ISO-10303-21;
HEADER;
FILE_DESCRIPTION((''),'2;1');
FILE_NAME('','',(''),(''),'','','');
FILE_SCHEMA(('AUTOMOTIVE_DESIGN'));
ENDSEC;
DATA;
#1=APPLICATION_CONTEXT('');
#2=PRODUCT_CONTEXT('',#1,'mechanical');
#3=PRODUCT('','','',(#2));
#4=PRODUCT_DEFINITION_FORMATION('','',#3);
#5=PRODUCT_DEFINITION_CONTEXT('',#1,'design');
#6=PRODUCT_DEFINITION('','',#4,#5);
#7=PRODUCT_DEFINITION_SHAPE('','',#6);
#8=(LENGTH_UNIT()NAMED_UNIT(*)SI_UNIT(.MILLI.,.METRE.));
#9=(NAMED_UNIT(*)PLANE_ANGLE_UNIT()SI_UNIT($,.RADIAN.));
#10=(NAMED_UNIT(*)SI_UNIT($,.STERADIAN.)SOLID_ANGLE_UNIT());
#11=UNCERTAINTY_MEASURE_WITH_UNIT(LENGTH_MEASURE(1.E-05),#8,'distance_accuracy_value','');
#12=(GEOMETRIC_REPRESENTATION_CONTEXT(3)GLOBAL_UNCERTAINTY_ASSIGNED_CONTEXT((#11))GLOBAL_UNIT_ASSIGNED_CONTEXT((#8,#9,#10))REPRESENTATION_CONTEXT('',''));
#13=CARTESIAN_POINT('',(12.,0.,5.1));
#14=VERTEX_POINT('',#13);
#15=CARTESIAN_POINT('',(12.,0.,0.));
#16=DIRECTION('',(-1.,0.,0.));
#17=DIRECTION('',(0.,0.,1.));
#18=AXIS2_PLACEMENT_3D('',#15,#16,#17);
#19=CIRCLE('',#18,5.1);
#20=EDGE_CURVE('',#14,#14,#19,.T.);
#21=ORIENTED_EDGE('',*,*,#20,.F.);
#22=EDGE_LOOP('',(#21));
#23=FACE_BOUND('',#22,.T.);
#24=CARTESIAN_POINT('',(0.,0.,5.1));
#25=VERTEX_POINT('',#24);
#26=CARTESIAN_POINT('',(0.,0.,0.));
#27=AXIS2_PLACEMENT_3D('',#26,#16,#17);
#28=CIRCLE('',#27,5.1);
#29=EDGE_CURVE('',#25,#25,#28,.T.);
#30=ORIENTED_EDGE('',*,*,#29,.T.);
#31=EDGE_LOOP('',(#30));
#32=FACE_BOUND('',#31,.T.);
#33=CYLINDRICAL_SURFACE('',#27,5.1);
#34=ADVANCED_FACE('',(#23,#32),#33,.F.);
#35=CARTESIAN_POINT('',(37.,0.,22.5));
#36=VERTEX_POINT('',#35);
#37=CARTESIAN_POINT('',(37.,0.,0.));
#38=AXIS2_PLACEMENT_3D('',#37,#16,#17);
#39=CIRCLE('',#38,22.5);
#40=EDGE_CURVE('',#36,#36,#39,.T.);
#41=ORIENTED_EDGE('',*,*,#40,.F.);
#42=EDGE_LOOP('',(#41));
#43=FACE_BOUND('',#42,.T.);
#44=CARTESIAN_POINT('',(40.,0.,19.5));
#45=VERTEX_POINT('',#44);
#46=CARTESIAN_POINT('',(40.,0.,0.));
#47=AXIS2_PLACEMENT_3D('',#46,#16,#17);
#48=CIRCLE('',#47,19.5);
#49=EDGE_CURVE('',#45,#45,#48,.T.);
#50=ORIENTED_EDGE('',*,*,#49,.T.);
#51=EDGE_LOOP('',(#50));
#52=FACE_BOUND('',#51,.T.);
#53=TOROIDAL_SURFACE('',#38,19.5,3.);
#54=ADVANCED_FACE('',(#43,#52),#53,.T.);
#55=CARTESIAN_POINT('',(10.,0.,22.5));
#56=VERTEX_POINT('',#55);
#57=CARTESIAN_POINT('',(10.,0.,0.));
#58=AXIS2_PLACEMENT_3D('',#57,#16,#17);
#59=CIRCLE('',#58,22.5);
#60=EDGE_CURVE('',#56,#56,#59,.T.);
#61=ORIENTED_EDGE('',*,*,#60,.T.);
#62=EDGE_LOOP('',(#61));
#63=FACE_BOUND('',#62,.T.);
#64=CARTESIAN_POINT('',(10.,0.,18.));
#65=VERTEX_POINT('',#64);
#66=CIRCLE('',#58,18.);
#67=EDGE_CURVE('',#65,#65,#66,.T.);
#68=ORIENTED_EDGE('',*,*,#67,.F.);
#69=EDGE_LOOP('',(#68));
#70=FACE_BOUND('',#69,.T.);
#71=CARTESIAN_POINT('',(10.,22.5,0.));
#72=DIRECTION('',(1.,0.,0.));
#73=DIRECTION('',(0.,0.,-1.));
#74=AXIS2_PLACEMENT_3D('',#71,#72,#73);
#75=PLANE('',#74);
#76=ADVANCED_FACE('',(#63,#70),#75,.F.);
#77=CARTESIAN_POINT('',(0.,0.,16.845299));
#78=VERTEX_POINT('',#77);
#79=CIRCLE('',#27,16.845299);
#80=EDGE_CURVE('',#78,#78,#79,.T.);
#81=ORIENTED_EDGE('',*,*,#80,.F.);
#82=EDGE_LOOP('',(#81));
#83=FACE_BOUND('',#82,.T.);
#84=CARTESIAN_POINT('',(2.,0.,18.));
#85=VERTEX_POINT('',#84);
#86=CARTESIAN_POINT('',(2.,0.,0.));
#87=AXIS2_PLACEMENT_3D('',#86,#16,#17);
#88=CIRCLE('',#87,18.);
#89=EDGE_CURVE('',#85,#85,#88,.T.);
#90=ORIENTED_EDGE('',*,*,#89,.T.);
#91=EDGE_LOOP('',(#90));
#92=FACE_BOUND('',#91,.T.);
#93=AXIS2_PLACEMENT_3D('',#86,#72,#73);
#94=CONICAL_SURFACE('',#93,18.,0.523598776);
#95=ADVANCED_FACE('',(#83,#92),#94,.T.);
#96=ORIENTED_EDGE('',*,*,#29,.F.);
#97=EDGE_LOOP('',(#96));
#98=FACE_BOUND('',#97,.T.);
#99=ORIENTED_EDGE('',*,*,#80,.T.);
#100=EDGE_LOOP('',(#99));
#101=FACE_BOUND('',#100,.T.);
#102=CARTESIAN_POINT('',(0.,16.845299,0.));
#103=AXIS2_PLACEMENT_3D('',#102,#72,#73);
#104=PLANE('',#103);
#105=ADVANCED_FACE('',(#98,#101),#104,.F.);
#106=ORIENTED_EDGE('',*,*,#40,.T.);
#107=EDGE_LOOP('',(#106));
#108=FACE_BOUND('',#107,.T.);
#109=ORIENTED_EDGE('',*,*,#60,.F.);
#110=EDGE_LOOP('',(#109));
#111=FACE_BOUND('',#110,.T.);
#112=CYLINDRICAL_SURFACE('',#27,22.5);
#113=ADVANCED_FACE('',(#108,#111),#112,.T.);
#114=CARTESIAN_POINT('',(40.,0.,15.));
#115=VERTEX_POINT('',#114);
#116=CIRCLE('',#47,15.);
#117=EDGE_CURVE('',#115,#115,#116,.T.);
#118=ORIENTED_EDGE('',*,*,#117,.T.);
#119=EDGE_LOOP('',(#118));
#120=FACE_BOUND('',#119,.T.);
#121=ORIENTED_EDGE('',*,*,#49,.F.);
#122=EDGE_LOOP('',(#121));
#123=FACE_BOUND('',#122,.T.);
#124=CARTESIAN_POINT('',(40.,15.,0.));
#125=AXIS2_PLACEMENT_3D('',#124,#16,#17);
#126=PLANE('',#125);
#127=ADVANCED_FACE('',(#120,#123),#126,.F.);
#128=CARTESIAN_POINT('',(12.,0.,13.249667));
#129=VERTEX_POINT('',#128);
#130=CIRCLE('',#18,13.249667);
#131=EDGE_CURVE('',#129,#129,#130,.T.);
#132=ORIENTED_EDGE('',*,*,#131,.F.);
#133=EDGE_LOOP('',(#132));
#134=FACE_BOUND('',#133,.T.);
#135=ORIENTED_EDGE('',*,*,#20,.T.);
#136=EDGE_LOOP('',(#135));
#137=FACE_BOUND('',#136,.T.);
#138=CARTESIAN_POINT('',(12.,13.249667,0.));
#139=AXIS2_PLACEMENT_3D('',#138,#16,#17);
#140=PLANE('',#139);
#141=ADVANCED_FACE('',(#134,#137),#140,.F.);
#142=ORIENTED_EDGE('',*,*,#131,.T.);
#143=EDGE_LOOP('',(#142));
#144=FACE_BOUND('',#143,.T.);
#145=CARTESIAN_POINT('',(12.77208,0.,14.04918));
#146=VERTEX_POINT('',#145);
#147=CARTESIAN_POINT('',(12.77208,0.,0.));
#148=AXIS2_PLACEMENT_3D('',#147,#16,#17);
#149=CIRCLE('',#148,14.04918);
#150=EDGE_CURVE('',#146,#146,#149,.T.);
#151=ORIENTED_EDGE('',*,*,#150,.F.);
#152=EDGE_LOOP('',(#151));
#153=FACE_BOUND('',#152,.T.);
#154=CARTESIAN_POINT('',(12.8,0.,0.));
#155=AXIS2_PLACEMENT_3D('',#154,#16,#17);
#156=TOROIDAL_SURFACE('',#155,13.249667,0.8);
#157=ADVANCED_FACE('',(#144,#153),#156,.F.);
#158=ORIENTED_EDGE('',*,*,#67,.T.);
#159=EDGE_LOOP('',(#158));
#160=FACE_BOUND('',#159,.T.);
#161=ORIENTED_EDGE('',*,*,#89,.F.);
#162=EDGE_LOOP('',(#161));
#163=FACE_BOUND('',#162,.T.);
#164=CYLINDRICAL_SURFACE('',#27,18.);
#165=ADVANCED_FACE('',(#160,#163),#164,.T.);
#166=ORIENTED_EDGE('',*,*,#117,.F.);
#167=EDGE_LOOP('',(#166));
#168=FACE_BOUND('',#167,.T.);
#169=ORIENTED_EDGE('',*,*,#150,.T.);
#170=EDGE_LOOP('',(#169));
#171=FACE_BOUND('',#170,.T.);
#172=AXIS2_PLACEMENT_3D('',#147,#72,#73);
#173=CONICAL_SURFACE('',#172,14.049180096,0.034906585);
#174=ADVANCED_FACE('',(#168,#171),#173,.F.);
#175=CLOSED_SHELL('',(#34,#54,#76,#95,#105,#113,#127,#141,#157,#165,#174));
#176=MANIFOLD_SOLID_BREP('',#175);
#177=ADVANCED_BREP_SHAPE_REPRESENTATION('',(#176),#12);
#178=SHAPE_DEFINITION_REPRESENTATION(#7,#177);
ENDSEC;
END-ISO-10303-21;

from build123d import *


with BuildPart() as part:
    # Sketch1 → Revolve1 (revolve)
    with BuildSketch(Plane.XY):
        with BuildLine():
            Line((0, 16.845299462), (2, 18))
            Line((2, 18), (10, 18))
            Line((10, 18), (10, 22.5))
            Line((10, 22.5), (37, 22.5))
            ThreePointArc((37, 22.5), (39.121320344, 21.621320344), (40, 19.5))
            Line((40, 19.5), (40, 15))
            Line((40, 15), (12.772080403, 14.049180096))
            ThreePointArc((12.772080403, 14.049180096), (12.22452816, 13.805394131), (12, 13.249667434))
            Line((12, 13.249667434), (12, 5.1))
            Line((12, 5.1), (0, 5.1))
            Line((0, 5.1), (0, 16.845299462))
        make_face()
    revolve(axis=Axis((0, 0, 0), (1, 0, 0)))


solid = part.part
